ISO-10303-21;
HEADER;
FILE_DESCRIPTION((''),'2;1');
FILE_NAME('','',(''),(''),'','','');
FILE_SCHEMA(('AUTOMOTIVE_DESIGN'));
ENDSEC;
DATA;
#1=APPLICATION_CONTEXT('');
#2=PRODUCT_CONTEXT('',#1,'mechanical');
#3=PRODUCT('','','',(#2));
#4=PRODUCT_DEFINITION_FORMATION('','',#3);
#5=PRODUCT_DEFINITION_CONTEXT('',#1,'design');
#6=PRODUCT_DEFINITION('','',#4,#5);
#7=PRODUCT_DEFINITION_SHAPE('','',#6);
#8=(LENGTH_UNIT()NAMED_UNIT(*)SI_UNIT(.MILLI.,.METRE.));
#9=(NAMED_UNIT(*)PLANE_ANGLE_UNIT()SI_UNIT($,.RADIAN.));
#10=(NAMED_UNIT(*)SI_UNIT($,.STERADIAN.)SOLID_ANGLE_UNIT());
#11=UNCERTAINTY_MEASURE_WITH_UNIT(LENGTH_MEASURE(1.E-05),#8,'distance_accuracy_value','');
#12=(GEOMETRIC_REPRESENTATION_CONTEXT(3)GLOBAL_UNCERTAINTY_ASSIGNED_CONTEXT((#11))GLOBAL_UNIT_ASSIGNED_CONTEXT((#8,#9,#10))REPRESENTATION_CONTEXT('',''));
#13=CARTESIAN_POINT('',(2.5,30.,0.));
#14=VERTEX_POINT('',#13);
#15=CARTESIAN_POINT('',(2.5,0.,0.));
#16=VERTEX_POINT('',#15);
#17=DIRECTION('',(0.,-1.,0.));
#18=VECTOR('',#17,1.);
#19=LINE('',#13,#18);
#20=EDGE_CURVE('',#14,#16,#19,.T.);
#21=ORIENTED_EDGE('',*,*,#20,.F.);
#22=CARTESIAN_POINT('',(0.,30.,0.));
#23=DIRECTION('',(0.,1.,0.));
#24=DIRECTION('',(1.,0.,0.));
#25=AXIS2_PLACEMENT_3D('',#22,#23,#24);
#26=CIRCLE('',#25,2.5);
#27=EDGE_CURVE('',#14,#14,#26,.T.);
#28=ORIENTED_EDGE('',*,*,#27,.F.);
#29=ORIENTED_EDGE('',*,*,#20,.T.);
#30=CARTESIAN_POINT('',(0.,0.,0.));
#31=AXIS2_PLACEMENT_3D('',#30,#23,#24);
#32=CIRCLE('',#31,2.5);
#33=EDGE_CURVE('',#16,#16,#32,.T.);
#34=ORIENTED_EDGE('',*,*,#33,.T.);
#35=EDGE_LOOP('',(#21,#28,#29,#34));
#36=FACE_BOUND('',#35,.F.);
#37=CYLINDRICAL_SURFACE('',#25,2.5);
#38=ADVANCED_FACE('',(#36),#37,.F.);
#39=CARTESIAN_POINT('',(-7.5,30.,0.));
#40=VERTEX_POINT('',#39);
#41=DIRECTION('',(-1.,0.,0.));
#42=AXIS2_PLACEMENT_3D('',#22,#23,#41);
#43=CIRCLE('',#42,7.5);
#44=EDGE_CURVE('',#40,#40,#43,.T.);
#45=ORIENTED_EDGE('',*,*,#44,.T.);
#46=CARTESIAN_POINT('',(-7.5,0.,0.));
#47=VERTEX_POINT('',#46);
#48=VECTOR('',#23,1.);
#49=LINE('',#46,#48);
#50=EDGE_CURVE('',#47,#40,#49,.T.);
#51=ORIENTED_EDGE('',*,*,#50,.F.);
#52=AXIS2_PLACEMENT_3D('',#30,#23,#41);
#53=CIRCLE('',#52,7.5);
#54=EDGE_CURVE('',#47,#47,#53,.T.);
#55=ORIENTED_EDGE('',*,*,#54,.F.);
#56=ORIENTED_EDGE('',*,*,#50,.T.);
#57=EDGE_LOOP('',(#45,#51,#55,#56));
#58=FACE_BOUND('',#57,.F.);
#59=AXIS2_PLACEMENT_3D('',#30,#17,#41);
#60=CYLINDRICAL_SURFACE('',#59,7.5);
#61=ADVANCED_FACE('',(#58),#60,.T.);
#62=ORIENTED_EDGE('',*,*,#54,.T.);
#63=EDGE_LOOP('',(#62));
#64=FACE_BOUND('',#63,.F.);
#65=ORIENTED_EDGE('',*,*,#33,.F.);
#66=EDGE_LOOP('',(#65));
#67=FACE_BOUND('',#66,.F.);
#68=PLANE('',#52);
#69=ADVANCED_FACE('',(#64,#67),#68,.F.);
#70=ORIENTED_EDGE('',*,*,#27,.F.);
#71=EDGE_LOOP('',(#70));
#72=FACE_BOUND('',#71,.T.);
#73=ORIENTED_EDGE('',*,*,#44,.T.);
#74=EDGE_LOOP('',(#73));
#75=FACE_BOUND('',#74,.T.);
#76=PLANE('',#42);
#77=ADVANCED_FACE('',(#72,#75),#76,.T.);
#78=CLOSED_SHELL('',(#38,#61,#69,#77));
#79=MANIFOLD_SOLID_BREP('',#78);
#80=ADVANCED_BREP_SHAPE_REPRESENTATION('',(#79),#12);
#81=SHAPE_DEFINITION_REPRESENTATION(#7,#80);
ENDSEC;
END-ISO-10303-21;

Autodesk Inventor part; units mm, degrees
ref_plane "YZ Plane" through (0, 0, 0) normal (1, 0, 0) x (0, 1, 0)
ref_plane "XZ Plane" through (0, 0, 0) normal (0, 1, 0) x (-1, 0, 0)
ref_plane "XY Plane" through (0, 0, 0) normal (0, 0, 1) x (1, 0, 0)
sketch "Sketch1" plane through (0, 0, 0) normal (0, 1, 0) x (-1, 0, 0)
  circle A0 centre (0, 0) radius 7.5
  dimension "d0" = 15
extrude "Extrusion1" add sketch "Sketch1" along normal blind 30
sketch "Sketch2" plane through (0, 30, 0) normal (0, 1, 0) x (1, 0, 0)
  circle A0 centre (0, 0) radius 2.5
  dimension "d3" = 5
extrude "Extrusion2" cut sketch "Sketch2" against normal blind 40
properties part number "Nylon rod"
